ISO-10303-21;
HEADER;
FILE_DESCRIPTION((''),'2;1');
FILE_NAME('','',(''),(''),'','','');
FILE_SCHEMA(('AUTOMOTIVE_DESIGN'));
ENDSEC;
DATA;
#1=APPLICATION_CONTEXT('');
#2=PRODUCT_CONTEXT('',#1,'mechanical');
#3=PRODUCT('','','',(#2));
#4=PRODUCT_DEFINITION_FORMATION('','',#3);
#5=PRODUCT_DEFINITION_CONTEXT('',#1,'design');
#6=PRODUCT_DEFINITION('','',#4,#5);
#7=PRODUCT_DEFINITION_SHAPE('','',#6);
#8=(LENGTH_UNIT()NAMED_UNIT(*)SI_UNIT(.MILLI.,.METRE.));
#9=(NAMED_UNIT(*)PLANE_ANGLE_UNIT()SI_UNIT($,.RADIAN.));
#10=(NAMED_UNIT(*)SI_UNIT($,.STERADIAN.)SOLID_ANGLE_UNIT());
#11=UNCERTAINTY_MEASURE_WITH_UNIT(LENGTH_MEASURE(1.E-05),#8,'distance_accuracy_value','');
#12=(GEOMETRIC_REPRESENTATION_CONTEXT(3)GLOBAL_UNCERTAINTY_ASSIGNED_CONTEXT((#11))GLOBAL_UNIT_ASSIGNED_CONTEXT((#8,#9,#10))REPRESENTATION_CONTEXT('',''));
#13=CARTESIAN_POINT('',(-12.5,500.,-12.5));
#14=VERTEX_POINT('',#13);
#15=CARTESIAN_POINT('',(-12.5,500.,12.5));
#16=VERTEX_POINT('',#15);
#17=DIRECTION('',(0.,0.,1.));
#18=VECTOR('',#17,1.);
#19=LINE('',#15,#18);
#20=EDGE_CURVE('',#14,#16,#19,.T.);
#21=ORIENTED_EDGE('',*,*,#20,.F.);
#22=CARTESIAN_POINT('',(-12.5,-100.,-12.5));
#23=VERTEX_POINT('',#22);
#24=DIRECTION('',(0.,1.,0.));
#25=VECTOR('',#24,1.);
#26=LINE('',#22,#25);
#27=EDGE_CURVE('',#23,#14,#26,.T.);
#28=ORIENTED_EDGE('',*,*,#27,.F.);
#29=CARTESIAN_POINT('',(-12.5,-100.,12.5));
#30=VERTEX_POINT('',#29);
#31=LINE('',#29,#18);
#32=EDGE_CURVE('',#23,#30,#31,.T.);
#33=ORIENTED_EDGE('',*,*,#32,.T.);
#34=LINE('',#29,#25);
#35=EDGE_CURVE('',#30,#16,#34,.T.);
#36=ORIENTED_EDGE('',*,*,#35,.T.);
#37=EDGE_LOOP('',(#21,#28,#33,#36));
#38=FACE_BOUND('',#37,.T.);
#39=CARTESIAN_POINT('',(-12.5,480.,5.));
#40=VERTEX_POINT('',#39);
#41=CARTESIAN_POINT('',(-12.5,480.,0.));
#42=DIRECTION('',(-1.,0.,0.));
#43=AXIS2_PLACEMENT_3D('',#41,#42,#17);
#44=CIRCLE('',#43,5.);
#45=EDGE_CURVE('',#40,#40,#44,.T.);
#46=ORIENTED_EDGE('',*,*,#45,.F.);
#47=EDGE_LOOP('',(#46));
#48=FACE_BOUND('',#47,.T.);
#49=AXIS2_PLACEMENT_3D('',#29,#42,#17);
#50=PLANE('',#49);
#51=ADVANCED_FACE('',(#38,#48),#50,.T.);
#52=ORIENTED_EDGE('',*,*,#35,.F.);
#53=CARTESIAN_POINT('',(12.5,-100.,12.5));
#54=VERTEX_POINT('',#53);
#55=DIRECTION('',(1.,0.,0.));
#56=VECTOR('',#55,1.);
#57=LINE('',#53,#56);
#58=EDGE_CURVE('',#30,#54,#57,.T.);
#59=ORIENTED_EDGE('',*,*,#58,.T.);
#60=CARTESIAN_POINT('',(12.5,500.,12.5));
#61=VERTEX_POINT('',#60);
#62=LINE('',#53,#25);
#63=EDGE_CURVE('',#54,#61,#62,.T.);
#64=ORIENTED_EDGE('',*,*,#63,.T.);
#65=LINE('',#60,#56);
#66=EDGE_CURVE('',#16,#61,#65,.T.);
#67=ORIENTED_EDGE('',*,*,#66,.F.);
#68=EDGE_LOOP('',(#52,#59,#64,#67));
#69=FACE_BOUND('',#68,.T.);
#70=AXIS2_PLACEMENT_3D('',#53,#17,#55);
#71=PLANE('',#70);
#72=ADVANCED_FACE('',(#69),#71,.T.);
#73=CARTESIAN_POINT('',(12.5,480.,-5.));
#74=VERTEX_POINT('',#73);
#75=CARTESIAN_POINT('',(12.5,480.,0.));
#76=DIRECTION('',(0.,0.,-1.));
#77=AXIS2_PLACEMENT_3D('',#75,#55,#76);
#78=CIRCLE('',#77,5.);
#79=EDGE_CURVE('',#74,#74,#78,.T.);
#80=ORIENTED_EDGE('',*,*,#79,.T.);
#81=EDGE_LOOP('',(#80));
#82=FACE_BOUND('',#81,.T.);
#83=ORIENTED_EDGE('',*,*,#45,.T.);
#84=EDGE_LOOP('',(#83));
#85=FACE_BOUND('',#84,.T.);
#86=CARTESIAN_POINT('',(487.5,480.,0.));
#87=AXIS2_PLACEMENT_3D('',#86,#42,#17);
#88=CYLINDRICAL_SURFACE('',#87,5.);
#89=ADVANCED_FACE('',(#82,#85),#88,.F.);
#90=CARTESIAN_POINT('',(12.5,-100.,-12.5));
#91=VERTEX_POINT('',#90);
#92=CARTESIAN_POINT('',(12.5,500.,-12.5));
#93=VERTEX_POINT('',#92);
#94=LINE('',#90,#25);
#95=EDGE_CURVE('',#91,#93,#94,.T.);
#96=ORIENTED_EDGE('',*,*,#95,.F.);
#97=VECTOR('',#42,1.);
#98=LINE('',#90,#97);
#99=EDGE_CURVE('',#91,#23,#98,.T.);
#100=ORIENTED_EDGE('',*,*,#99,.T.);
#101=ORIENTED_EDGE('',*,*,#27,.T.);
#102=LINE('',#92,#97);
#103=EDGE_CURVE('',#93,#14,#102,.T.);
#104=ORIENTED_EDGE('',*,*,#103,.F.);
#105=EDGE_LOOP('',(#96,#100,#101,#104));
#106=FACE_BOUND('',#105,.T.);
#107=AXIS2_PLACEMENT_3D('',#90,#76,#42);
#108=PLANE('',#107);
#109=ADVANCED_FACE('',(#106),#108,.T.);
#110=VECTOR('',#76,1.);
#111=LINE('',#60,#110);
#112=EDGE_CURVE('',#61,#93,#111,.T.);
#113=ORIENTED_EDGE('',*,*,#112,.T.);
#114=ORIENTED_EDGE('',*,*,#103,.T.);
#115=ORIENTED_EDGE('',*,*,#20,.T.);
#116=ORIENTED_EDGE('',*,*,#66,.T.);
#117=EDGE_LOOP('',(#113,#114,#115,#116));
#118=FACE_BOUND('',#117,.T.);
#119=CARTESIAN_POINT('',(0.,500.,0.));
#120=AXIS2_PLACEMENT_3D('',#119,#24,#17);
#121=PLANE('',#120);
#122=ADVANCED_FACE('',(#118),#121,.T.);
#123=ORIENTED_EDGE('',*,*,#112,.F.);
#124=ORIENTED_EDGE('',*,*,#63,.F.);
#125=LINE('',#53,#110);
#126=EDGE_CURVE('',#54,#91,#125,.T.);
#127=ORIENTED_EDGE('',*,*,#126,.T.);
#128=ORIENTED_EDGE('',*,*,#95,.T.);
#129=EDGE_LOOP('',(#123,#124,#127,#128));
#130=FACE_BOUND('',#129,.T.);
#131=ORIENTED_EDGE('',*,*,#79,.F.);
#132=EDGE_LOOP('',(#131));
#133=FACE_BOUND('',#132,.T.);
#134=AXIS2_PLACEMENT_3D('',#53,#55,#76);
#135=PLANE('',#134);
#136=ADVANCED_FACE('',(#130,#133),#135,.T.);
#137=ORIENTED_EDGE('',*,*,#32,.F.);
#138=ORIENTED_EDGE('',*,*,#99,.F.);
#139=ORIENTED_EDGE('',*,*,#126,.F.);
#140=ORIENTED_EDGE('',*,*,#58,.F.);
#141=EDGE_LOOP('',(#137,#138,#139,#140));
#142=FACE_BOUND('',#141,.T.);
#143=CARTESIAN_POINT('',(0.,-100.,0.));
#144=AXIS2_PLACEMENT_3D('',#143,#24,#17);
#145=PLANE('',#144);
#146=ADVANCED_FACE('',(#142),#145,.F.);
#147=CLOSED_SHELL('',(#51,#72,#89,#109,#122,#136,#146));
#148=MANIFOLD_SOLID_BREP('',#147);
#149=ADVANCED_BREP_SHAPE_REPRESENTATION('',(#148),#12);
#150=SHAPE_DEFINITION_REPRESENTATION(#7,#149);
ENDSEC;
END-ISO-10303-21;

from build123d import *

# Parameters (mm, degrees)
SKETCH1_W                = 25
SKETCH1_H                = 25
BOSS_EXTRUDE1_DEPTH      = 500
BOSS_EXTRUDE1_DEPTH_BACK = 100
SKETCH2_R                = 5
CUT_EXTRUDE1_DEPTH       = 500


with BuildPart() as part:
    # Sketch1 → Boss-Extrude1 (new body, two sides)
    with BuildSketch(Plane(origin=(0, 0, 0), x_dir=(1, 0, 0), z_dir=(0, 1, 0))) as boss_extrude1_sk:
        Rectangle(SKETCH1_W, SKETCH1_H)
    extrude(amount=BOSS_EXTRUDE1_DEPTH)
    extrude(boss_extrude1_sk.sketch, amount=-BOSS_EXTRUDE1_DEPTH_BACK)

    # Sketch2 → Cut-Extrude1 (cut)
    with BuildSketch(Plane.ZY.offset(12.5)):
        with Locations((0, 480)):
            Circle(SKETCH2_R)
    extrude(amount=-CUT_EXTRUDE1_DEPTH, mode=Mode.SUBTRACT)


solid = part.part
